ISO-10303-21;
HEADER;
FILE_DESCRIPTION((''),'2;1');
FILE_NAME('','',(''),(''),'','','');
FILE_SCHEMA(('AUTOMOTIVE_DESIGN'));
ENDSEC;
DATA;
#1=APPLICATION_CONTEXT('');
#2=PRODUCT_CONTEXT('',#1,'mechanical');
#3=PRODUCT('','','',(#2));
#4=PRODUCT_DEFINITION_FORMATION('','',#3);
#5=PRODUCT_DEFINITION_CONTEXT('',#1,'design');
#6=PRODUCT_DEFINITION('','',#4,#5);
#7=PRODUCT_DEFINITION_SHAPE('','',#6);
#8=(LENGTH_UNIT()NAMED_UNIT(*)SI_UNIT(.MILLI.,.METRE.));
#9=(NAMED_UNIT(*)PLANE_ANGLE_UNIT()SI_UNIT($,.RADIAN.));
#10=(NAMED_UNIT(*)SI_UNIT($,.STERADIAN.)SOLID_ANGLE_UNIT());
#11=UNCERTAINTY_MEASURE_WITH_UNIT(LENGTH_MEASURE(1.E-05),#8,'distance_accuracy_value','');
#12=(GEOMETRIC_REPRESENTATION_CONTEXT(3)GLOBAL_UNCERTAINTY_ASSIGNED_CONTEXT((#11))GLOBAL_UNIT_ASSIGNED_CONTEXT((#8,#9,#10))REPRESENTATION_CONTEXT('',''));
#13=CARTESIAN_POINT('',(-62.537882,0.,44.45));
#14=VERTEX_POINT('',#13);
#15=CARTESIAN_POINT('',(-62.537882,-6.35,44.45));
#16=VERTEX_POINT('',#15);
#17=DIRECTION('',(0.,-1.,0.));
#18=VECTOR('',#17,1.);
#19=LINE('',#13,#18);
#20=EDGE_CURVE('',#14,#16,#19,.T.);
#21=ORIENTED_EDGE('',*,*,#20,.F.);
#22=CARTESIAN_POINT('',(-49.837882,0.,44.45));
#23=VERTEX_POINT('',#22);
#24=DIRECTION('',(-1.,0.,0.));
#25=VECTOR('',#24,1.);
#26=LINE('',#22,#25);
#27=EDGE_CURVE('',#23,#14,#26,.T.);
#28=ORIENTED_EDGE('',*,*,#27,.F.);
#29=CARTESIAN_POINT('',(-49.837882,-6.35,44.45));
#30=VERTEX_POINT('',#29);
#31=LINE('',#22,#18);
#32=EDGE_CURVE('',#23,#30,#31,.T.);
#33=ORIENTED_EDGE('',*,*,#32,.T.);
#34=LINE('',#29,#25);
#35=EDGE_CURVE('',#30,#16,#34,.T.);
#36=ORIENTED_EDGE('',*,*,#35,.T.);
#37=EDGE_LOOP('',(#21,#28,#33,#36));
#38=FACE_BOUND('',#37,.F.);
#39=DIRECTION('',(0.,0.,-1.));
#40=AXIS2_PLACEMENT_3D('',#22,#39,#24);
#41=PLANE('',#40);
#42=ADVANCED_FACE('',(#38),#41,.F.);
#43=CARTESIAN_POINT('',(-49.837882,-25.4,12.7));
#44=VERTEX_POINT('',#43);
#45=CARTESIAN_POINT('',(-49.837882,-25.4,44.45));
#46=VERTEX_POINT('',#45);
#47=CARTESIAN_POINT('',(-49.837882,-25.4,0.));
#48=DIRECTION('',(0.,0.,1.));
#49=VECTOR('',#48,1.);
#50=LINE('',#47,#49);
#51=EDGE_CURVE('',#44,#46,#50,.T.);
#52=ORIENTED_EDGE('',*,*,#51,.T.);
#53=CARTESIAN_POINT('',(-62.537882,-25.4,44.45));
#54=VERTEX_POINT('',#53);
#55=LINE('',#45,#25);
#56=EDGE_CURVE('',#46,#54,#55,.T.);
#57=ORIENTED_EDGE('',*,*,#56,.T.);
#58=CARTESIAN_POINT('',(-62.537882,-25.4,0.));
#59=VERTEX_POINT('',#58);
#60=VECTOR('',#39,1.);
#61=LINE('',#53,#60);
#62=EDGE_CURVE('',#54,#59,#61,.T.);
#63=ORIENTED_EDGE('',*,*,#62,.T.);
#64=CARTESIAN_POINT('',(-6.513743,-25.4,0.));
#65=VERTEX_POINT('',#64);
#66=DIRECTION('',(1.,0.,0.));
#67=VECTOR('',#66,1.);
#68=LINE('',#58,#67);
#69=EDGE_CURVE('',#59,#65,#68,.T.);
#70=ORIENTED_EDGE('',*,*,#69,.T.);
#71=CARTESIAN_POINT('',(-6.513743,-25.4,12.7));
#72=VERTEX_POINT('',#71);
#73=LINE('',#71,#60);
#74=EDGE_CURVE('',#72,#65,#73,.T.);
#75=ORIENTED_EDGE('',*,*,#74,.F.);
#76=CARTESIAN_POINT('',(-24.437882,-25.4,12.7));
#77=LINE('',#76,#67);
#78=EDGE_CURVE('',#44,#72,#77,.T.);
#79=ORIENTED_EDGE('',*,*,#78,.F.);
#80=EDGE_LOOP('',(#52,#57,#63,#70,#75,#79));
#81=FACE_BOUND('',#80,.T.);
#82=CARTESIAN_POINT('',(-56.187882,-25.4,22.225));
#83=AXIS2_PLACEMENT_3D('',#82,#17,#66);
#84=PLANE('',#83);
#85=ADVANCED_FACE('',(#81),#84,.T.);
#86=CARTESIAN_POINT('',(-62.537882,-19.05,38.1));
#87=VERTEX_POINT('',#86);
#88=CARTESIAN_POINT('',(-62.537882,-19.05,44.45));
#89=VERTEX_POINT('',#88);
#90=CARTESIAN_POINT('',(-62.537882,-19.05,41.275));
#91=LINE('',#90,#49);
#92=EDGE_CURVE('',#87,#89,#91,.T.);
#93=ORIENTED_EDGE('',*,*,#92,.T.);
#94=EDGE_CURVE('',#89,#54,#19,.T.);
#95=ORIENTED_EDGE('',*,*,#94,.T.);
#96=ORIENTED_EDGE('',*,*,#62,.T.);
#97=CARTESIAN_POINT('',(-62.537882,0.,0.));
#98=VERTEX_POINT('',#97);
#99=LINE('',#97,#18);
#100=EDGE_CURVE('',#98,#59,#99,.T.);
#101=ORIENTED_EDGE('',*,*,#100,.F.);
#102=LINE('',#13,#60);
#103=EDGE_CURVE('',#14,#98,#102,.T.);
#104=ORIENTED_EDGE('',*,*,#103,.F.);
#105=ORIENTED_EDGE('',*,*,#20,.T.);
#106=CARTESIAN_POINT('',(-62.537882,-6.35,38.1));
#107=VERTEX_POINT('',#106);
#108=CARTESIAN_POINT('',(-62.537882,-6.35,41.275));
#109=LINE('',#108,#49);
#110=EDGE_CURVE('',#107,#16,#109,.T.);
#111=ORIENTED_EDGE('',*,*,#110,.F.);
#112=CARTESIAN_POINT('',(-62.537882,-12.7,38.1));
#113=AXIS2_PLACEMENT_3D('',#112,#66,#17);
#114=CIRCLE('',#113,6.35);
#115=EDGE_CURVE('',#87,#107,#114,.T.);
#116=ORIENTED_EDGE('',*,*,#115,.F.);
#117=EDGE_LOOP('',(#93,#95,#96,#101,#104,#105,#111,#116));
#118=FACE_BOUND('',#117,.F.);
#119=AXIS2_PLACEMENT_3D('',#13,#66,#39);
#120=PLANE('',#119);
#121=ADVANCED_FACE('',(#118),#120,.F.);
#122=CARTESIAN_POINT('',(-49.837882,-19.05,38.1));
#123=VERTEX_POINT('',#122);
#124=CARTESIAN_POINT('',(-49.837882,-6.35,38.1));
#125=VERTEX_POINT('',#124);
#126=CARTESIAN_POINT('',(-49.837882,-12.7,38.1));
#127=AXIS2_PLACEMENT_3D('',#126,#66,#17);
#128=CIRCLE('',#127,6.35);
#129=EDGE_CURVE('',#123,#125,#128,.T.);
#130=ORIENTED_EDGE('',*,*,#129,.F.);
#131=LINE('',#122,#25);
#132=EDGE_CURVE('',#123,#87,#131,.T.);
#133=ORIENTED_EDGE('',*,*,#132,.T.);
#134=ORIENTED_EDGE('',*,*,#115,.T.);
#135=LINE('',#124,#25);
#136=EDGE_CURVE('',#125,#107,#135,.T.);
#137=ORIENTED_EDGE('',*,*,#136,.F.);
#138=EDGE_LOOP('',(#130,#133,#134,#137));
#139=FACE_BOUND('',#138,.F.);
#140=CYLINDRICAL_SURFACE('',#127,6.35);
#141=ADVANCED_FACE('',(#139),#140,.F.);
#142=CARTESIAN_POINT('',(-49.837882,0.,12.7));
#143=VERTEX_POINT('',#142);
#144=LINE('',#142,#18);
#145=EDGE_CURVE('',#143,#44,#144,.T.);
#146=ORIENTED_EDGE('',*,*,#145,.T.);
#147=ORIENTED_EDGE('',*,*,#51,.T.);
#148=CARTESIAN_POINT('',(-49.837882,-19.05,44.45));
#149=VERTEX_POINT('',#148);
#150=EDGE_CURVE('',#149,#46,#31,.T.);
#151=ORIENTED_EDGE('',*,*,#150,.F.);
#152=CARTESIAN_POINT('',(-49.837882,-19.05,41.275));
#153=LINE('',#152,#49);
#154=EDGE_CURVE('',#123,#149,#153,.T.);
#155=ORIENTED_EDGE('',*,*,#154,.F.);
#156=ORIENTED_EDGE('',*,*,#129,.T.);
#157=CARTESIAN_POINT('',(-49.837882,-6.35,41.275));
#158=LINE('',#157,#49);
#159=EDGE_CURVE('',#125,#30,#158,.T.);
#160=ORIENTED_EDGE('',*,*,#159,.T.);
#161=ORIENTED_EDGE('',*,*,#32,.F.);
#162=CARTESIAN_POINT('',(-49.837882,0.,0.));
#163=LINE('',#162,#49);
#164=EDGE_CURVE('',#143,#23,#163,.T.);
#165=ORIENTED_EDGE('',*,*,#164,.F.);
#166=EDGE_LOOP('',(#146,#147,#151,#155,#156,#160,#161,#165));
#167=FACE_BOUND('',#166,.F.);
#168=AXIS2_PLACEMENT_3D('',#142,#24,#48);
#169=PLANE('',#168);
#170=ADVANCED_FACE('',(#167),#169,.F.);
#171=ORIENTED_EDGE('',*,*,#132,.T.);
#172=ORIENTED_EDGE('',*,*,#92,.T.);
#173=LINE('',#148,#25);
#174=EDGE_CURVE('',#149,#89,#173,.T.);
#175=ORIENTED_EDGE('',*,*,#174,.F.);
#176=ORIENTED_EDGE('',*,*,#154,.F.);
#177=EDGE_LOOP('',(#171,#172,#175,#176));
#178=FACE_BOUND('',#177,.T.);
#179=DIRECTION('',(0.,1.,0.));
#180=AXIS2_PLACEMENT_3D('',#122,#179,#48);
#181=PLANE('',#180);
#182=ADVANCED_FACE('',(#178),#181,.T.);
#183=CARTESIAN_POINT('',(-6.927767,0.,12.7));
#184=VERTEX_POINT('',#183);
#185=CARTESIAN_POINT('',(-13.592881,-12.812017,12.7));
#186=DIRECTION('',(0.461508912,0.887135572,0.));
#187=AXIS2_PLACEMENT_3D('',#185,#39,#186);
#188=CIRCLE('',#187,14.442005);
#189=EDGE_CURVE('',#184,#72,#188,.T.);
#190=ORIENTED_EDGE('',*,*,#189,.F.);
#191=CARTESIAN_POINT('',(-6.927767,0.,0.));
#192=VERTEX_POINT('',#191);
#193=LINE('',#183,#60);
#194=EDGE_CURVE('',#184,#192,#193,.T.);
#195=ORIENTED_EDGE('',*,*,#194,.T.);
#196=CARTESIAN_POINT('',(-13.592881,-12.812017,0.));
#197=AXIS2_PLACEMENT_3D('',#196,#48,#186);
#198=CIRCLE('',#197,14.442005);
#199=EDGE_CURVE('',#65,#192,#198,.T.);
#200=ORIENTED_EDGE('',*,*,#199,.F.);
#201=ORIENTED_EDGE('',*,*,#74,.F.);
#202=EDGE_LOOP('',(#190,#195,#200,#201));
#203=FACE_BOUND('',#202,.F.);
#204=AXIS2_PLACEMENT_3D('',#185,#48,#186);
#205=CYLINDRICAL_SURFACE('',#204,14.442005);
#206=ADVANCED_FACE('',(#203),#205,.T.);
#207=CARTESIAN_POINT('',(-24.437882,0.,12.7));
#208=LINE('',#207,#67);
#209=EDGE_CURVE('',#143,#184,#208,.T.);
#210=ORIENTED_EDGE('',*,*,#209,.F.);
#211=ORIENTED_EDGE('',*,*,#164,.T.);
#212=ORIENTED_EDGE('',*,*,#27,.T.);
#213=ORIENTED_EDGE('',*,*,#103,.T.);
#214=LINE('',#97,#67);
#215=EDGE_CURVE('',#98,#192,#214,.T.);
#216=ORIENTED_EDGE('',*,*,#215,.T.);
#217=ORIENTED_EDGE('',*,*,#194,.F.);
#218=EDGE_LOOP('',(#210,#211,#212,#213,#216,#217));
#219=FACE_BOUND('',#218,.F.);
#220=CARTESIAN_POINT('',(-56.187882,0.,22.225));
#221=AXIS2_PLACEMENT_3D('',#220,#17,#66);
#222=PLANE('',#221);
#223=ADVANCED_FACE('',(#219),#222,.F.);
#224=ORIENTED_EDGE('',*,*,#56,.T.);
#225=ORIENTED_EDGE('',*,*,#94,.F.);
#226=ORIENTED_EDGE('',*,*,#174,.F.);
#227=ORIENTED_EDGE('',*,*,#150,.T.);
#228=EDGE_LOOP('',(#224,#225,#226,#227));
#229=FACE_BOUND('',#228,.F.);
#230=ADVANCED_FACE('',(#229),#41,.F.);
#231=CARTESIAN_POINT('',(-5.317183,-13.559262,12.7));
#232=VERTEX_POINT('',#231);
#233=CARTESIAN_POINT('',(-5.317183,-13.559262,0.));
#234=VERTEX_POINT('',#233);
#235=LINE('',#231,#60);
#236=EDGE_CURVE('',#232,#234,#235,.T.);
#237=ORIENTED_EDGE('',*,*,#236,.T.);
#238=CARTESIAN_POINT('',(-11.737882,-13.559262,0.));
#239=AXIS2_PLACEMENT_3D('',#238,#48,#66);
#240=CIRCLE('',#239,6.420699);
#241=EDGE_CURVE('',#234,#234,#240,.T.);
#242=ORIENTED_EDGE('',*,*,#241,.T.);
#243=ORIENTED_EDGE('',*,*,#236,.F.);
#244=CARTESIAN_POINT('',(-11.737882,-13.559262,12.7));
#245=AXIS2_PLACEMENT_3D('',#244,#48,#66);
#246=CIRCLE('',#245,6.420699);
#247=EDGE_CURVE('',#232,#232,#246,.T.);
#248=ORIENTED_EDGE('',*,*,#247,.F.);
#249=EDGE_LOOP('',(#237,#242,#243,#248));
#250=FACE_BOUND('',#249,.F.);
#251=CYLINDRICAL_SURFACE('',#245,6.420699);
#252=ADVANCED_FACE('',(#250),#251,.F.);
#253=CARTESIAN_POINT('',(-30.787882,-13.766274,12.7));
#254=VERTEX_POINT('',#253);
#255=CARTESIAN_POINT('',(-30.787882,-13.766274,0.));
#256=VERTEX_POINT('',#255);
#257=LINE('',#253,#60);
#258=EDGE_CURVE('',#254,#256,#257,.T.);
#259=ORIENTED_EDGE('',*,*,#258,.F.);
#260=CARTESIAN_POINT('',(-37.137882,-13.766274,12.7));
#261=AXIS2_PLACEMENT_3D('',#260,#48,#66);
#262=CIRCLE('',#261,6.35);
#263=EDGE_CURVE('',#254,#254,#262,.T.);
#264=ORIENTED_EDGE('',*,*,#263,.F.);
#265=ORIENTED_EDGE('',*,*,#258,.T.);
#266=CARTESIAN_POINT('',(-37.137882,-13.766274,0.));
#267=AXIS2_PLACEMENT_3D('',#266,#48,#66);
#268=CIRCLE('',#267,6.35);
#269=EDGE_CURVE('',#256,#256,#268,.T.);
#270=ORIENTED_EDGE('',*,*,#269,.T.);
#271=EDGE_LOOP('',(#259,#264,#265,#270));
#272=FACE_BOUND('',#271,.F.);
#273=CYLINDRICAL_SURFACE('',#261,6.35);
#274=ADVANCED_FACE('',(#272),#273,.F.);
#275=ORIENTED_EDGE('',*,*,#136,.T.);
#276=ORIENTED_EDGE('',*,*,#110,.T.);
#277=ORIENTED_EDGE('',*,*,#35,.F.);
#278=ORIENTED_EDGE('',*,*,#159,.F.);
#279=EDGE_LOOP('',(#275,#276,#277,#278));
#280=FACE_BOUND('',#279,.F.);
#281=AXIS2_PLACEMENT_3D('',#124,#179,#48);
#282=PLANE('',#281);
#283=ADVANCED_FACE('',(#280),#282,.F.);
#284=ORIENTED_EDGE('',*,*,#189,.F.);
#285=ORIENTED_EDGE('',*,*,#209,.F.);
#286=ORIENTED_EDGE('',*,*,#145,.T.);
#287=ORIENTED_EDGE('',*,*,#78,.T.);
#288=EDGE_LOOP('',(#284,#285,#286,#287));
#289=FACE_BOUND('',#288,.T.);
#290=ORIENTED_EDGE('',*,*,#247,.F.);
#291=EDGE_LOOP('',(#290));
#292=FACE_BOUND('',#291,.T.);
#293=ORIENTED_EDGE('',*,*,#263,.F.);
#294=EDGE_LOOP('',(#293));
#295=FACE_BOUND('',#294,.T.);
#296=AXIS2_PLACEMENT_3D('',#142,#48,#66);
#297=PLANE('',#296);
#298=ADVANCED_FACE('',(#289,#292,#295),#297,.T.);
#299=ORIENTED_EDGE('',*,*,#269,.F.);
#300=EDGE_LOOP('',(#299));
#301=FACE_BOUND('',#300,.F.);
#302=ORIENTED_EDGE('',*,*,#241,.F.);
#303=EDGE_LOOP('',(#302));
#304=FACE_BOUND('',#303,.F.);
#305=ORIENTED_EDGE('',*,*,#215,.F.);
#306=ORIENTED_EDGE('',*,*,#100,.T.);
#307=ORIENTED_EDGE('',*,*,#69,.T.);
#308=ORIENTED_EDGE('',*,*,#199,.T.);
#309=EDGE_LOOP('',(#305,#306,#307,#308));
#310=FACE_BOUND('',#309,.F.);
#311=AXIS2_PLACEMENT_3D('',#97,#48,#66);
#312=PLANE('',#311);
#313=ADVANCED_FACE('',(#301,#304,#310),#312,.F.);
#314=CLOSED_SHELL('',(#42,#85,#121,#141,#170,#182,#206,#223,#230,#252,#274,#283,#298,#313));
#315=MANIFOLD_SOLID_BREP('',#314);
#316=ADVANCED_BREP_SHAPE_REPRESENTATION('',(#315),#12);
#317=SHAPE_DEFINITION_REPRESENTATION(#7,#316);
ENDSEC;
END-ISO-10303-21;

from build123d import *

# Parameters (mm, degrees)
F0_W     = 50.8
F0_H     = 12.7
F1_DEPTH = 25.4
F2_W     = 12.7
F2_H     = 6.35
F3_DEPTH = 25.4
F4_R     = 6.35
F4_R_2   = 6.420699
F5_DEPTH = 25.4


with BuildPart() as f1:
    # F0 (on Front) → F1 (new body)
    with BuildSketch(Plane.XZ):
        Polygon((-62.537882, 44.45), (-62.537882, 0), (-49.837882, 0), (-49.837882, 12.7), (-49.837882, 44.45), align=None)
        with Locations((-24.437882, 6.35)):
            Rectangle(F0_W, F0_H)
    extrude(amount=F1_DEPTH)

    # F2 (on face) → F3 (cut)
    with BuildSketch(Plane.YZ.offset(-49.837882)):
        with Locations((-12.7, 41.275)):
            Rectangle(F2_W, F2_H)
        with BuildLine():
            Line((-6.35, 38.1), (-19.05, 38.1))
            ThreePointArc((-19.05, 38.1), (-12.7, 31.75), (-6.35, 38.1))
        make_face()
    extrude(amount=-F3_DEPTH, mode=Mode.SUBTRACT)

    # F4 (on face) → F5 (cut)
    with BuildSketch(Plane.XY.offset(12.7)):
        with Locations((-37.137882, -13.766274)):
            Circle(F4_R)
        with Locations((-11.737882, -13.559262)):
            Circle(F4_R_2)
        with BuildLine():
            ThreePointArc((-6.927767, 0), (0.847206, -12.576641), (-6.513743, -25.4))
            Line((-6.513743, -25.4), (0.962118, -25.4))
            Line((0.962118, -25.4), (0.962118, 0))
            Line((0.962118, 0), (-6.927767, 0))
        make_face()
    extrude(amount=-F5_DEPTH, mode=Mode.SUBTRACT)


solid = f1.part
